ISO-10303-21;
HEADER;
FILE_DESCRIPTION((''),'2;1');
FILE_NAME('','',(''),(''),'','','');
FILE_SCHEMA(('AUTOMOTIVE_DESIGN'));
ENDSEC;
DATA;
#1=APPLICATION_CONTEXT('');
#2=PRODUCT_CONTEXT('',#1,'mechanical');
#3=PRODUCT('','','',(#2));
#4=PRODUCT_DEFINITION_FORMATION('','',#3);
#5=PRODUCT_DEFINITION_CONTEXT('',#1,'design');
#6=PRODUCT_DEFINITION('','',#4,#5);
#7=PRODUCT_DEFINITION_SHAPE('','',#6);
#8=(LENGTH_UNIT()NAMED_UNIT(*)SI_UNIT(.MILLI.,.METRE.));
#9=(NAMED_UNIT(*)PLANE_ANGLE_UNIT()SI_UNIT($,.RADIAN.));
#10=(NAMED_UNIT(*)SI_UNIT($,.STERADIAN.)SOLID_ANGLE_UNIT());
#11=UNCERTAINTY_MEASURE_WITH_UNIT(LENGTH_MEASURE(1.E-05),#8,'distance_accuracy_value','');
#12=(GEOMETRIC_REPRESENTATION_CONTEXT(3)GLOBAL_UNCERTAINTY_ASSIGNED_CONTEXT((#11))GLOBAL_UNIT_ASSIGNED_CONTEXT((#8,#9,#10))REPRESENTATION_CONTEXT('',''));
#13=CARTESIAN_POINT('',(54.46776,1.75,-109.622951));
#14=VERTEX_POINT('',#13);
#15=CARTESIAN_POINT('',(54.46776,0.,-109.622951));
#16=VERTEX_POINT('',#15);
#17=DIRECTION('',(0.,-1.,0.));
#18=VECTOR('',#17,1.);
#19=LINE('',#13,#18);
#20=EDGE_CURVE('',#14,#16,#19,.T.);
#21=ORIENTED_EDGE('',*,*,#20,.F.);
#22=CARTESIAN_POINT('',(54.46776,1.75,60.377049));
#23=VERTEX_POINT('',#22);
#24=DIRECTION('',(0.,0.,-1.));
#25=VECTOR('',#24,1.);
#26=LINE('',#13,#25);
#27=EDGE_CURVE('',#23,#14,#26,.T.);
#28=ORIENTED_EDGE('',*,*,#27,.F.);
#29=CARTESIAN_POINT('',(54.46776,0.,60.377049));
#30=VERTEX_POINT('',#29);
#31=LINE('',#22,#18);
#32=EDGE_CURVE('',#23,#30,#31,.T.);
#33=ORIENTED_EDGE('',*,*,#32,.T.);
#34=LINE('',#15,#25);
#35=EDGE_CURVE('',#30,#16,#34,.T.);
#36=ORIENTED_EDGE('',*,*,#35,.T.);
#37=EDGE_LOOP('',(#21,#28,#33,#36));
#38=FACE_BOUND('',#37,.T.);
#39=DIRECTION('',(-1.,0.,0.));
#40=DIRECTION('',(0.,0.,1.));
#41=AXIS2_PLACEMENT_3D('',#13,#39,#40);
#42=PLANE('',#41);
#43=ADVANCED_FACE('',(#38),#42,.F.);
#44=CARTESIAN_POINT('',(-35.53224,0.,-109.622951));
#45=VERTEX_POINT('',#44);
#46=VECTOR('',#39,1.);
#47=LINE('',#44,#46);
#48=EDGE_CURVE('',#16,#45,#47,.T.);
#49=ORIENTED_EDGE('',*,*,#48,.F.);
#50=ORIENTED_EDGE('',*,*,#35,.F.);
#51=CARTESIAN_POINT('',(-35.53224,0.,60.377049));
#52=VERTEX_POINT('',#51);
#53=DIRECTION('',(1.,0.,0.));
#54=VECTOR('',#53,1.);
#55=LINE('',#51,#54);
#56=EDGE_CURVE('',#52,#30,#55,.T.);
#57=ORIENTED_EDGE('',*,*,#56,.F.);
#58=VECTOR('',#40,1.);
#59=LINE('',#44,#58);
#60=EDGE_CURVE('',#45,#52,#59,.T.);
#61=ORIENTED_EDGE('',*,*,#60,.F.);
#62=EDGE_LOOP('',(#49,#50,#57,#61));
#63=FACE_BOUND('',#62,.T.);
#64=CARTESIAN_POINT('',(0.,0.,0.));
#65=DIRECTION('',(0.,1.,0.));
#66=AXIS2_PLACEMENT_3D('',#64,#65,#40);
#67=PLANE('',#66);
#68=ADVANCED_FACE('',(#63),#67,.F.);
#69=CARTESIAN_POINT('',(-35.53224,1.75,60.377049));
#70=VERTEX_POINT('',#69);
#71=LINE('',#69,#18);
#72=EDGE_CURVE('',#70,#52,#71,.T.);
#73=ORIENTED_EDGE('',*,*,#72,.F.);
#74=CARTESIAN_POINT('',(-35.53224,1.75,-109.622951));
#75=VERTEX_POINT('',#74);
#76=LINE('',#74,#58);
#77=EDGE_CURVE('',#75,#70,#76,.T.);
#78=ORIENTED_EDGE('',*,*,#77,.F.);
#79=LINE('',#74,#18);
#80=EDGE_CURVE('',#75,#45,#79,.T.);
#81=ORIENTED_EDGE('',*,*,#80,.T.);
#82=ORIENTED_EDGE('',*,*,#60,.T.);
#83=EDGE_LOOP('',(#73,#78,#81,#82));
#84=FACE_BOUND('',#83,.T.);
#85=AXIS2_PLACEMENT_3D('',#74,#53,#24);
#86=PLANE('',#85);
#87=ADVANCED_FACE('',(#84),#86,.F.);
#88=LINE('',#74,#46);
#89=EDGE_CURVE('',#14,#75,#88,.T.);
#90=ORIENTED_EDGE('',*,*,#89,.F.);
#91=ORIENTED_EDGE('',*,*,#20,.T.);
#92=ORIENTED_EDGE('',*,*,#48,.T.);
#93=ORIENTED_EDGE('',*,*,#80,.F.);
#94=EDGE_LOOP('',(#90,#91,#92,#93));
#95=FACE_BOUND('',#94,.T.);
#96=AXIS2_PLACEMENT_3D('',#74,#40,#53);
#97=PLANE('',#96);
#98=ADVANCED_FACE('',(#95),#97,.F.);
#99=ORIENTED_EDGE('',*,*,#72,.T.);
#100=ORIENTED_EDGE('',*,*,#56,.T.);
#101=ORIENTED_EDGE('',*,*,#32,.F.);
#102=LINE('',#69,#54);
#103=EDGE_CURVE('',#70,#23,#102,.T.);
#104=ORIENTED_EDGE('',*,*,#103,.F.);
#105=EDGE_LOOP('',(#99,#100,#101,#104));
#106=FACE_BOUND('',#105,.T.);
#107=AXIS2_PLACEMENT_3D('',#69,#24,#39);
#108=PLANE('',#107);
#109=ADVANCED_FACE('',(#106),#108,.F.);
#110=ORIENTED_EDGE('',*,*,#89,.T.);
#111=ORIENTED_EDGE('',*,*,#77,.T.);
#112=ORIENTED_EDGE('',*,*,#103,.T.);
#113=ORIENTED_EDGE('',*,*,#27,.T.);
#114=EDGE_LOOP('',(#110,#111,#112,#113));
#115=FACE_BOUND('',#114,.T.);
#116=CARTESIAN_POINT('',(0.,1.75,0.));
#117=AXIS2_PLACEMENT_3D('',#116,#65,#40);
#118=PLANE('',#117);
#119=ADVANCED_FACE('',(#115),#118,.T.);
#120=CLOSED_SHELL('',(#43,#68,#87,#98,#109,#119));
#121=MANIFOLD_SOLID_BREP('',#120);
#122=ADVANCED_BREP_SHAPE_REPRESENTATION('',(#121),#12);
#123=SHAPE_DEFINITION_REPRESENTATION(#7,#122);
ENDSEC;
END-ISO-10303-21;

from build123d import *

# Parameters (mm, degrees)
SKETCH1_W           = 90
SKETCH1_H           = 170
BOSS_EXTRUDE1_DEPTH = 1.75


with BuildPart() as part:
    # Sketch1 → Boss-Extrude1 (new body)
    with BuildSketch(Plane(origin=(0, 0, 0), x_dir=(1, 0, 0), z_dir=(0, 1, 0))):
        with Locations((9.467759563, 24.62295082)):
            Rectangle(SKETCH1_W, SKETCH1_H)
    extrude(amount=BOSS_EXTRUDE1_DEPTH)


solid = part.part
